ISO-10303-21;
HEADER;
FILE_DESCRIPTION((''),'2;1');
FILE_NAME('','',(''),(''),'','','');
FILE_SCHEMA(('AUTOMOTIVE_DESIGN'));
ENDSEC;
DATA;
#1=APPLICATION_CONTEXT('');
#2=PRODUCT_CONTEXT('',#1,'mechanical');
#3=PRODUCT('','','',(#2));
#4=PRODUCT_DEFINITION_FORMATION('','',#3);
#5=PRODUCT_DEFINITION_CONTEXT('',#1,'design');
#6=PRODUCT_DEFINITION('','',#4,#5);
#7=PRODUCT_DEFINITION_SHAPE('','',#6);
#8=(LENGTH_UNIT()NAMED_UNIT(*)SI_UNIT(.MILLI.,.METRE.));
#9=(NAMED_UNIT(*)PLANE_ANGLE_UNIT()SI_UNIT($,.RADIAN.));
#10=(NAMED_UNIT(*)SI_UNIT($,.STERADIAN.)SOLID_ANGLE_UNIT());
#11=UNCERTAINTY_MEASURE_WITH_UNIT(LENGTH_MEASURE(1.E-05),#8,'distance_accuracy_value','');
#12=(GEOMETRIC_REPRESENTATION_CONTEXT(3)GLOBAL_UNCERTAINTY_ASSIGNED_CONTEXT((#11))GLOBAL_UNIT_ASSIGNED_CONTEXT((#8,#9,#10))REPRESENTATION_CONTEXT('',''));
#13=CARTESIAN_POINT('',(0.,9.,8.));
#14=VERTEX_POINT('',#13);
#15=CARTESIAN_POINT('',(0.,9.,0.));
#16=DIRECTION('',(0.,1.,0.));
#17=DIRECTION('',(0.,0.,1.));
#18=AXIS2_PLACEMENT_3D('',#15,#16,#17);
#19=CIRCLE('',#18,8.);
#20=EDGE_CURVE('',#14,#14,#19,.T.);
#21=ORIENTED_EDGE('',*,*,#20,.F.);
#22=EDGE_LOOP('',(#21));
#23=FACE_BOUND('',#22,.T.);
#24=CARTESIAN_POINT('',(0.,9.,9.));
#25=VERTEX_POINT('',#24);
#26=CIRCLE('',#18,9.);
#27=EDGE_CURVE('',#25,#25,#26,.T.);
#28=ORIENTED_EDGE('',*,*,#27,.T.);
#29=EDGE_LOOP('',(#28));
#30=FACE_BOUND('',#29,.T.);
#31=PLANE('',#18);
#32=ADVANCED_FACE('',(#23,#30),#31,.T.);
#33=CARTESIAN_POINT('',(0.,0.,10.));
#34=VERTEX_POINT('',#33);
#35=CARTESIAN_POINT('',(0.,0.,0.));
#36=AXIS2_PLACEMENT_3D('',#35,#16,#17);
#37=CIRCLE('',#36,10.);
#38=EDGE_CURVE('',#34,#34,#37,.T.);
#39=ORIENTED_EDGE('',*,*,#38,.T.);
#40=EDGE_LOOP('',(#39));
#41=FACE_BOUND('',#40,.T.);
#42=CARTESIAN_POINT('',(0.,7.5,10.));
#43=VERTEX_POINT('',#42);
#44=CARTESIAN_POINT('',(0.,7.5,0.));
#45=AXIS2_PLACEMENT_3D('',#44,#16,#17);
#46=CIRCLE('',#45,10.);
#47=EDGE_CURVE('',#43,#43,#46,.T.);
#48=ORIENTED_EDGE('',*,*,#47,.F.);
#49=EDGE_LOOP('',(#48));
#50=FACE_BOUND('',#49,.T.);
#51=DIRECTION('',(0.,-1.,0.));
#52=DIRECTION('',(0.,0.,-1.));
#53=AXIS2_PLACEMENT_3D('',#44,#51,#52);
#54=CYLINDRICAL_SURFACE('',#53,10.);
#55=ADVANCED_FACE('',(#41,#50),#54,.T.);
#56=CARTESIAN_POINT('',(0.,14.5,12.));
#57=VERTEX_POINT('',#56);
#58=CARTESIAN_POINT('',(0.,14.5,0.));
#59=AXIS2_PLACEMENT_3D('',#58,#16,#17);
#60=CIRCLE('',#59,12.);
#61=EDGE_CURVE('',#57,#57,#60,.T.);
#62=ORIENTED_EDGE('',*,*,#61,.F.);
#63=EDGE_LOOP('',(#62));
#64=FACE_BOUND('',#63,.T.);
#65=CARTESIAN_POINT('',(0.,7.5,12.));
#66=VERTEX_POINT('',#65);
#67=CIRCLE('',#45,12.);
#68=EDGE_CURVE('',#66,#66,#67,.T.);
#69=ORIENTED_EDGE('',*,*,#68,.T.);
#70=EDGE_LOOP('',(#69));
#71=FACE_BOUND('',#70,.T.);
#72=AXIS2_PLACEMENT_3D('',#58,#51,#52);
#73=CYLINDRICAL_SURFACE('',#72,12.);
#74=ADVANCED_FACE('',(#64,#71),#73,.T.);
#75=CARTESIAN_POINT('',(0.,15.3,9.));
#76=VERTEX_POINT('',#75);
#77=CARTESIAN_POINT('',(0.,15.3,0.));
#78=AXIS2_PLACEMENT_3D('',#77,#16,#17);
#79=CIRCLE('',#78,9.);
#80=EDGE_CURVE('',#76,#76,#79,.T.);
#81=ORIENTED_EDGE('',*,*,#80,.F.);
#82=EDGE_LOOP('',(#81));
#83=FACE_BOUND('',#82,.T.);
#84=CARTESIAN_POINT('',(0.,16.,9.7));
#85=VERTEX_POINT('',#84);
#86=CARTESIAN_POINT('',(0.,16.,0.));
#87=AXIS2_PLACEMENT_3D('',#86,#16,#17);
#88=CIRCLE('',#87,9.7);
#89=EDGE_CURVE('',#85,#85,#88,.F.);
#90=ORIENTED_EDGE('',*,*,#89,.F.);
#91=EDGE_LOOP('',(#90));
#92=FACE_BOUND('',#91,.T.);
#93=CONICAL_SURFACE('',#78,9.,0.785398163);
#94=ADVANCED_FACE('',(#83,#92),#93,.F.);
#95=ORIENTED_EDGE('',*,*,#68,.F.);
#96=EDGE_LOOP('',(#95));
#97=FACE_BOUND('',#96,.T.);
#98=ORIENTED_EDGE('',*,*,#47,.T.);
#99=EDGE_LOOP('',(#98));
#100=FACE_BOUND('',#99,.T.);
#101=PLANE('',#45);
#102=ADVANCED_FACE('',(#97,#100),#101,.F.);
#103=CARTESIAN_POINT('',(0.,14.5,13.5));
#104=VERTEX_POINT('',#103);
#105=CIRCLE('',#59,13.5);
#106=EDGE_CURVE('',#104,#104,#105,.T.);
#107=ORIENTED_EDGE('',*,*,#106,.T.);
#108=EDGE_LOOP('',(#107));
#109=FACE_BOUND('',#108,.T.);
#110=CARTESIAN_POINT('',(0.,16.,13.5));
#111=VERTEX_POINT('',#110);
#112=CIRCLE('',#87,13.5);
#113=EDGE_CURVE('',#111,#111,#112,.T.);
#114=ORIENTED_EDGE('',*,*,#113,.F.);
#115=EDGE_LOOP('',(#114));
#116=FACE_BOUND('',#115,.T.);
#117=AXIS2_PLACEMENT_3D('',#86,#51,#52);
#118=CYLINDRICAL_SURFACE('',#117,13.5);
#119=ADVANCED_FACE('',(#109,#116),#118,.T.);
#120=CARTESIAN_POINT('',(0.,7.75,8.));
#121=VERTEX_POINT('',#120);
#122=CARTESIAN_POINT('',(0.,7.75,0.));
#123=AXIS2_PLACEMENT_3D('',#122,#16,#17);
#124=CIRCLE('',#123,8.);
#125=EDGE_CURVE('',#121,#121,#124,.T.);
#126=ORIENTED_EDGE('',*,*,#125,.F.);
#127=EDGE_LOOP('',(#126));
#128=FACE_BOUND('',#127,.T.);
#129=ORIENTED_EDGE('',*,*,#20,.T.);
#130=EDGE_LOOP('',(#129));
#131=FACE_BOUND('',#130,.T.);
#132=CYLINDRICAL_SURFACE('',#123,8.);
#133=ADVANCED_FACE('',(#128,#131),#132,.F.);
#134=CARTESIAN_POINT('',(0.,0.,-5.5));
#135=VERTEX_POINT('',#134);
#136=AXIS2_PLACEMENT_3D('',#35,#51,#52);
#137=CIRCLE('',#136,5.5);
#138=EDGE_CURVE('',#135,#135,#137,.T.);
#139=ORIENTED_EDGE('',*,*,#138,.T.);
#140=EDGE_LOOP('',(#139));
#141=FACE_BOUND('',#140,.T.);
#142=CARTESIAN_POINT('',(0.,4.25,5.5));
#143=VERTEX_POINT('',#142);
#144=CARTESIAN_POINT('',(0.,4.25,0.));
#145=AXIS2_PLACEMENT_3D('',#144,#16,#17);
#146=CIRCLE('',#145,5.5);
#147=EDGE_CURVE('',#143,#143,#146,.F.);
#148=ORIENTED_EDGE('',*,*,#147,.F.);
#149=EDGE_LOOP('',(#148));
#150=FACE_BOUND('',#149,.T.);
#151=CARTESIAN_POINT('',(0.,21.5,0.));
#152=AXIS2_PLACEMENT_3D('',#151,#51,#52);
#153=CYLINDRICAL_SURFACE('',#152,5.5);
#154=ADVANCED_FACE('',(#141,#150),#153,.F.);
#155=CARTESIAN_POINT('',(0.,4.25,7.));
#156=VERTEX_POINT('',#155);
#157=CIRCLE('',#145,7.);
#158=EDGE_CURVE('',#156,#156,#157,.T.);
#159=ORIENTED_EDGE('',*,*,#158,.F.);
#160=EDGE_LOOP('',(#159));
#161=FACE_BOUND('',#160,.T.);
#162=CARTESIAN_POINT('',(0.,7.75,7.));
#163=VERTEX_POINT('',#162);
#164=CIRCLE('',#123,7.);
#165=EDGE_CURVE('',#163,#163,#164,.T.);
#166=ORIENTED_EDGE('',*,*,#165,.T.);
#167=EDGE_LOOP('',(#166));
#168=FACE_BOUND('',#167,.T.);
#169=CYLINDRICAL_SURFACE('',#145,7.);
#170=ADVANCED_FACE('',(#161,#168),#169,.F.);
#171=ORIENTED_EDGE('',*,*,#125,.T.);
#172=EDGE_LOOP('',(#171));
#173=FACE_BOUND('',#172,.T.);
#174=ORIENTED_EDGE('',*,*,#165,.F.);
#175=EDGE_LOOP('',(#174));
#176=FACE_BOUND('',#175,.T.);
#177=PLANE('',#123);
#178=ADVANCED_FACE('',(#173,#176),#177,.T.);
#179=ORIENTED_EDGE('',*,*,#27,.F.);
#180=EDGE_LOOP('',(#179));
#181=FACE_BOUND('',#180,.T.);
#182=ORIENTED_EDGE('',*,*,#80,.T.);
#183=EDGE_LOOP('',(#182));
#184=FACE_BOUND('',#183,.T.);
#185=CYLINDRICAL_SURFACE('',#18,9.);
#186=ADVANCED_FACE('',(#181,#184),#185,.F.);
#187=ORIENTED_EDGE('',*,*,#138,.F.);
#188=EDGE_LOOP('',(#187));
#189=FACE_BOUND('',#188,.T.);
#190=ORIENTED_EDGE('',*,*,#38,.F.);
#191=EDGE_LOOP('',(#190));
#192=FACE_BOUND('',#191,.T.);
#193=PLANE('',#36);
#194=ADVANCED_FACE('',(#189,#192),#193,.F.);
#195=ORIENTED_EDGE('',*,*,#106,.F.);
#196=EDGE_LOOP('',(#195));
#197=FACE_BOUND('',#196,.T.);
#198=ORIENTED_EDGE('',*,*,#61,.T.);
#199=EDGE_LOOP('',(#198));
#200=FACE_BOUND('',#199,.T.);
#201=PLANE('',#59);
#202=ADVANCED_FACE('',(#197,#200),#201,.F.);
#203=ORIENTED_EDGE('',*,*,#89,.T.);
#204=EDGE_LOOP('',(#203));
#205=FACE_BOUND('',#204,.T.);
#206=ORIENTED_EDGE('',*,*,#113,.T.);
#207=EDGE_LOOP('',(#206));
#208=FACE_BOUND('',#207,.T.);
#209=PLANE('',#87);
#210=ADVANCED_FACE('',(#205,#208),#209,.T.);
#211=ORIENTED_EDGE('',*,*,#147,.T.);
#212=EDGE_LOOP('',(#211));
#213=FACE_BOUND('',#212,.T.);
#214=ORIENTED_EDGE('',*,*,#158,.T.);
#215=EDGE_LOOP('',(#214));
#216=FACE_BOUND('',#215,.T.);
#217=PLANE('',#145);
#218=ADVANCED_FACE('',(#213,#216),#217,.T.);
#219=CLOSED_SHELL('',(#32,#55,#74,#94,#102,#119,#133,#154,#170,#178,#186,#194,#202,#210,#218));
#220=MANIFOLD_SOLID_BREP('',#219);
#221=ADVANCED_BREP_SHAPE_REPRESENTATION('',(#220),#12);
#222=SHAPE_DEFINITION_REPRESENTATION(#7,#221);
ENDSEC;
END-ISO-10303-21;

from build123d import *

# Parameters (mm, degrees)
ESQUISSE2_R             = 10
BOSS_EXTRU_1_DEPTH      = 7.5
ESQUISSE3_R             = 12
BOSS_EXTRU_2_DEPTH      = 7
ESQUISSE4_R             = 13.5
BOSS_EXTRU_3_DEPTH      = 1.5
ESQUISSE7_R             = 5.5
ENL_V_MAT_EXTRU_1_DEPTH = 21.5
ESQUISSE8_R             = 9
ENL_V_MAT_EXTRU_2_DEPTH = 7
CHANFREIN1_SIZE         = 0.7
ESQUISSE9_R             = 8
ENL_V_MAT_EXTRU_3_DEPTH = 1.25
ESQUISSE10_R            = 7
ENL_V_MAT_EXTRU_4_DEPTH = 3.5


with BuildPart() as part:
    # Esquisse2 → Boss.-Extru.1 (new body)
    with BuildSketch(Plane(origin=(0, 0, 0), x_dir=(1, 0, 0), z_dir=(0, 1, 0))):
        with Locations(Location((0, 0, 0), (0, 0, 270))):
            Circle(ESQUISSE2_R)
    extrude(amount=BOSS_EXTRU_1_DEPTH)

    # Esquisse3 → Boss.-Extru.2 (add)
    with BuildSketch(Plane(origin=(0, 7.5, 0), x_dir=(1, 0, 0), z_dir=(0, 1, 0))):
        with Locations(Location((0, 0, 0), (0, 0, 270))):
            Circle(ESQUISSE3_R)
    extrude(amount=BOSS_EXTRU_2_DEPTH)

    # Esquisse4 → Boss.-Extru.3 (add)
    with BuildSketch(Plane(origin=(0, 14.5, 0), x_dir=(1, 0, 0), z_dir=(0, 1, 0))):
        with Locations(Location((0, 0, 0), (0, 0, 270))):
            Circle(ESQUISSE4_R)
    extrude(amount=BOSS_EXTRU_3_DEPTH)

    # Esquisse7 → Enlèv. mat.-Extru.1 (cut)
    with BuildSketch(Plane.XZ):
        with Locations(Location((0, 0, 0), (0, 0, 270))):
            Circle(ESQUISSE7_R)
    extrude(amount=-ENL_V_MAT_EXTRU_1_DEPTH, mode=Mode.SUBTRACT)

    # Esquisse8 → Enlèv. mat.-Extru.2 (cut)
    with BuildSketch(Plane(origin=(0, 16, 0), x_dir=(1, 0, 0), z_dir=(0, 1, 0))):
        with Locations(Location((0, 0, 0), (0, 0, 270))):
            Circle(ESQUISSE8_R)
    extrude(amount=-ENL_V_MAT_EXTRU_2_DEPTH, mode=Mode.SUBTRACT)

    # Chanfrein1
    chanfrein1_edges = [part.edges().sort_by_distance(p)[0] for p in [
        (0, 16, -9),
    ]]
    chamfer(chanfrein1_edges, length=CHANFREIN1_SIZE)

    # Esquisse9 → Enlèv. mat.-Extru.3 (cut)
    with BuildSketch(Plane(origin=(0, 9, 0), x_dir=(1, 0, 0), z_dir=(0, 1, 0))):
        with Locations(Location((0, 0, 0), (0, 0, 270))):
            Circle(ESQUISSE9_R)
    extrude(amount=-ENL_V_MAT_EXTRU_3_DEPTH, mode=Mode.SUBTRACT)

    # Esquisse10 → Enlèv. mat.-Extru.4 (cut)
    with BuildSketch(Plane(origin=(0, 7.75, 0), x_dir=(1, 0, 0), z_dir=(0, 1, 0))):
        with Locations(Location((0, 0, 0), (0, 0, 270))):
            Circle(ESQUISSE10_R)
    extrude(amount=-ENL_V_MAT_EXTRU_4_DEPTH, mode=Mode.SUBTRACT)


solid = part.part
